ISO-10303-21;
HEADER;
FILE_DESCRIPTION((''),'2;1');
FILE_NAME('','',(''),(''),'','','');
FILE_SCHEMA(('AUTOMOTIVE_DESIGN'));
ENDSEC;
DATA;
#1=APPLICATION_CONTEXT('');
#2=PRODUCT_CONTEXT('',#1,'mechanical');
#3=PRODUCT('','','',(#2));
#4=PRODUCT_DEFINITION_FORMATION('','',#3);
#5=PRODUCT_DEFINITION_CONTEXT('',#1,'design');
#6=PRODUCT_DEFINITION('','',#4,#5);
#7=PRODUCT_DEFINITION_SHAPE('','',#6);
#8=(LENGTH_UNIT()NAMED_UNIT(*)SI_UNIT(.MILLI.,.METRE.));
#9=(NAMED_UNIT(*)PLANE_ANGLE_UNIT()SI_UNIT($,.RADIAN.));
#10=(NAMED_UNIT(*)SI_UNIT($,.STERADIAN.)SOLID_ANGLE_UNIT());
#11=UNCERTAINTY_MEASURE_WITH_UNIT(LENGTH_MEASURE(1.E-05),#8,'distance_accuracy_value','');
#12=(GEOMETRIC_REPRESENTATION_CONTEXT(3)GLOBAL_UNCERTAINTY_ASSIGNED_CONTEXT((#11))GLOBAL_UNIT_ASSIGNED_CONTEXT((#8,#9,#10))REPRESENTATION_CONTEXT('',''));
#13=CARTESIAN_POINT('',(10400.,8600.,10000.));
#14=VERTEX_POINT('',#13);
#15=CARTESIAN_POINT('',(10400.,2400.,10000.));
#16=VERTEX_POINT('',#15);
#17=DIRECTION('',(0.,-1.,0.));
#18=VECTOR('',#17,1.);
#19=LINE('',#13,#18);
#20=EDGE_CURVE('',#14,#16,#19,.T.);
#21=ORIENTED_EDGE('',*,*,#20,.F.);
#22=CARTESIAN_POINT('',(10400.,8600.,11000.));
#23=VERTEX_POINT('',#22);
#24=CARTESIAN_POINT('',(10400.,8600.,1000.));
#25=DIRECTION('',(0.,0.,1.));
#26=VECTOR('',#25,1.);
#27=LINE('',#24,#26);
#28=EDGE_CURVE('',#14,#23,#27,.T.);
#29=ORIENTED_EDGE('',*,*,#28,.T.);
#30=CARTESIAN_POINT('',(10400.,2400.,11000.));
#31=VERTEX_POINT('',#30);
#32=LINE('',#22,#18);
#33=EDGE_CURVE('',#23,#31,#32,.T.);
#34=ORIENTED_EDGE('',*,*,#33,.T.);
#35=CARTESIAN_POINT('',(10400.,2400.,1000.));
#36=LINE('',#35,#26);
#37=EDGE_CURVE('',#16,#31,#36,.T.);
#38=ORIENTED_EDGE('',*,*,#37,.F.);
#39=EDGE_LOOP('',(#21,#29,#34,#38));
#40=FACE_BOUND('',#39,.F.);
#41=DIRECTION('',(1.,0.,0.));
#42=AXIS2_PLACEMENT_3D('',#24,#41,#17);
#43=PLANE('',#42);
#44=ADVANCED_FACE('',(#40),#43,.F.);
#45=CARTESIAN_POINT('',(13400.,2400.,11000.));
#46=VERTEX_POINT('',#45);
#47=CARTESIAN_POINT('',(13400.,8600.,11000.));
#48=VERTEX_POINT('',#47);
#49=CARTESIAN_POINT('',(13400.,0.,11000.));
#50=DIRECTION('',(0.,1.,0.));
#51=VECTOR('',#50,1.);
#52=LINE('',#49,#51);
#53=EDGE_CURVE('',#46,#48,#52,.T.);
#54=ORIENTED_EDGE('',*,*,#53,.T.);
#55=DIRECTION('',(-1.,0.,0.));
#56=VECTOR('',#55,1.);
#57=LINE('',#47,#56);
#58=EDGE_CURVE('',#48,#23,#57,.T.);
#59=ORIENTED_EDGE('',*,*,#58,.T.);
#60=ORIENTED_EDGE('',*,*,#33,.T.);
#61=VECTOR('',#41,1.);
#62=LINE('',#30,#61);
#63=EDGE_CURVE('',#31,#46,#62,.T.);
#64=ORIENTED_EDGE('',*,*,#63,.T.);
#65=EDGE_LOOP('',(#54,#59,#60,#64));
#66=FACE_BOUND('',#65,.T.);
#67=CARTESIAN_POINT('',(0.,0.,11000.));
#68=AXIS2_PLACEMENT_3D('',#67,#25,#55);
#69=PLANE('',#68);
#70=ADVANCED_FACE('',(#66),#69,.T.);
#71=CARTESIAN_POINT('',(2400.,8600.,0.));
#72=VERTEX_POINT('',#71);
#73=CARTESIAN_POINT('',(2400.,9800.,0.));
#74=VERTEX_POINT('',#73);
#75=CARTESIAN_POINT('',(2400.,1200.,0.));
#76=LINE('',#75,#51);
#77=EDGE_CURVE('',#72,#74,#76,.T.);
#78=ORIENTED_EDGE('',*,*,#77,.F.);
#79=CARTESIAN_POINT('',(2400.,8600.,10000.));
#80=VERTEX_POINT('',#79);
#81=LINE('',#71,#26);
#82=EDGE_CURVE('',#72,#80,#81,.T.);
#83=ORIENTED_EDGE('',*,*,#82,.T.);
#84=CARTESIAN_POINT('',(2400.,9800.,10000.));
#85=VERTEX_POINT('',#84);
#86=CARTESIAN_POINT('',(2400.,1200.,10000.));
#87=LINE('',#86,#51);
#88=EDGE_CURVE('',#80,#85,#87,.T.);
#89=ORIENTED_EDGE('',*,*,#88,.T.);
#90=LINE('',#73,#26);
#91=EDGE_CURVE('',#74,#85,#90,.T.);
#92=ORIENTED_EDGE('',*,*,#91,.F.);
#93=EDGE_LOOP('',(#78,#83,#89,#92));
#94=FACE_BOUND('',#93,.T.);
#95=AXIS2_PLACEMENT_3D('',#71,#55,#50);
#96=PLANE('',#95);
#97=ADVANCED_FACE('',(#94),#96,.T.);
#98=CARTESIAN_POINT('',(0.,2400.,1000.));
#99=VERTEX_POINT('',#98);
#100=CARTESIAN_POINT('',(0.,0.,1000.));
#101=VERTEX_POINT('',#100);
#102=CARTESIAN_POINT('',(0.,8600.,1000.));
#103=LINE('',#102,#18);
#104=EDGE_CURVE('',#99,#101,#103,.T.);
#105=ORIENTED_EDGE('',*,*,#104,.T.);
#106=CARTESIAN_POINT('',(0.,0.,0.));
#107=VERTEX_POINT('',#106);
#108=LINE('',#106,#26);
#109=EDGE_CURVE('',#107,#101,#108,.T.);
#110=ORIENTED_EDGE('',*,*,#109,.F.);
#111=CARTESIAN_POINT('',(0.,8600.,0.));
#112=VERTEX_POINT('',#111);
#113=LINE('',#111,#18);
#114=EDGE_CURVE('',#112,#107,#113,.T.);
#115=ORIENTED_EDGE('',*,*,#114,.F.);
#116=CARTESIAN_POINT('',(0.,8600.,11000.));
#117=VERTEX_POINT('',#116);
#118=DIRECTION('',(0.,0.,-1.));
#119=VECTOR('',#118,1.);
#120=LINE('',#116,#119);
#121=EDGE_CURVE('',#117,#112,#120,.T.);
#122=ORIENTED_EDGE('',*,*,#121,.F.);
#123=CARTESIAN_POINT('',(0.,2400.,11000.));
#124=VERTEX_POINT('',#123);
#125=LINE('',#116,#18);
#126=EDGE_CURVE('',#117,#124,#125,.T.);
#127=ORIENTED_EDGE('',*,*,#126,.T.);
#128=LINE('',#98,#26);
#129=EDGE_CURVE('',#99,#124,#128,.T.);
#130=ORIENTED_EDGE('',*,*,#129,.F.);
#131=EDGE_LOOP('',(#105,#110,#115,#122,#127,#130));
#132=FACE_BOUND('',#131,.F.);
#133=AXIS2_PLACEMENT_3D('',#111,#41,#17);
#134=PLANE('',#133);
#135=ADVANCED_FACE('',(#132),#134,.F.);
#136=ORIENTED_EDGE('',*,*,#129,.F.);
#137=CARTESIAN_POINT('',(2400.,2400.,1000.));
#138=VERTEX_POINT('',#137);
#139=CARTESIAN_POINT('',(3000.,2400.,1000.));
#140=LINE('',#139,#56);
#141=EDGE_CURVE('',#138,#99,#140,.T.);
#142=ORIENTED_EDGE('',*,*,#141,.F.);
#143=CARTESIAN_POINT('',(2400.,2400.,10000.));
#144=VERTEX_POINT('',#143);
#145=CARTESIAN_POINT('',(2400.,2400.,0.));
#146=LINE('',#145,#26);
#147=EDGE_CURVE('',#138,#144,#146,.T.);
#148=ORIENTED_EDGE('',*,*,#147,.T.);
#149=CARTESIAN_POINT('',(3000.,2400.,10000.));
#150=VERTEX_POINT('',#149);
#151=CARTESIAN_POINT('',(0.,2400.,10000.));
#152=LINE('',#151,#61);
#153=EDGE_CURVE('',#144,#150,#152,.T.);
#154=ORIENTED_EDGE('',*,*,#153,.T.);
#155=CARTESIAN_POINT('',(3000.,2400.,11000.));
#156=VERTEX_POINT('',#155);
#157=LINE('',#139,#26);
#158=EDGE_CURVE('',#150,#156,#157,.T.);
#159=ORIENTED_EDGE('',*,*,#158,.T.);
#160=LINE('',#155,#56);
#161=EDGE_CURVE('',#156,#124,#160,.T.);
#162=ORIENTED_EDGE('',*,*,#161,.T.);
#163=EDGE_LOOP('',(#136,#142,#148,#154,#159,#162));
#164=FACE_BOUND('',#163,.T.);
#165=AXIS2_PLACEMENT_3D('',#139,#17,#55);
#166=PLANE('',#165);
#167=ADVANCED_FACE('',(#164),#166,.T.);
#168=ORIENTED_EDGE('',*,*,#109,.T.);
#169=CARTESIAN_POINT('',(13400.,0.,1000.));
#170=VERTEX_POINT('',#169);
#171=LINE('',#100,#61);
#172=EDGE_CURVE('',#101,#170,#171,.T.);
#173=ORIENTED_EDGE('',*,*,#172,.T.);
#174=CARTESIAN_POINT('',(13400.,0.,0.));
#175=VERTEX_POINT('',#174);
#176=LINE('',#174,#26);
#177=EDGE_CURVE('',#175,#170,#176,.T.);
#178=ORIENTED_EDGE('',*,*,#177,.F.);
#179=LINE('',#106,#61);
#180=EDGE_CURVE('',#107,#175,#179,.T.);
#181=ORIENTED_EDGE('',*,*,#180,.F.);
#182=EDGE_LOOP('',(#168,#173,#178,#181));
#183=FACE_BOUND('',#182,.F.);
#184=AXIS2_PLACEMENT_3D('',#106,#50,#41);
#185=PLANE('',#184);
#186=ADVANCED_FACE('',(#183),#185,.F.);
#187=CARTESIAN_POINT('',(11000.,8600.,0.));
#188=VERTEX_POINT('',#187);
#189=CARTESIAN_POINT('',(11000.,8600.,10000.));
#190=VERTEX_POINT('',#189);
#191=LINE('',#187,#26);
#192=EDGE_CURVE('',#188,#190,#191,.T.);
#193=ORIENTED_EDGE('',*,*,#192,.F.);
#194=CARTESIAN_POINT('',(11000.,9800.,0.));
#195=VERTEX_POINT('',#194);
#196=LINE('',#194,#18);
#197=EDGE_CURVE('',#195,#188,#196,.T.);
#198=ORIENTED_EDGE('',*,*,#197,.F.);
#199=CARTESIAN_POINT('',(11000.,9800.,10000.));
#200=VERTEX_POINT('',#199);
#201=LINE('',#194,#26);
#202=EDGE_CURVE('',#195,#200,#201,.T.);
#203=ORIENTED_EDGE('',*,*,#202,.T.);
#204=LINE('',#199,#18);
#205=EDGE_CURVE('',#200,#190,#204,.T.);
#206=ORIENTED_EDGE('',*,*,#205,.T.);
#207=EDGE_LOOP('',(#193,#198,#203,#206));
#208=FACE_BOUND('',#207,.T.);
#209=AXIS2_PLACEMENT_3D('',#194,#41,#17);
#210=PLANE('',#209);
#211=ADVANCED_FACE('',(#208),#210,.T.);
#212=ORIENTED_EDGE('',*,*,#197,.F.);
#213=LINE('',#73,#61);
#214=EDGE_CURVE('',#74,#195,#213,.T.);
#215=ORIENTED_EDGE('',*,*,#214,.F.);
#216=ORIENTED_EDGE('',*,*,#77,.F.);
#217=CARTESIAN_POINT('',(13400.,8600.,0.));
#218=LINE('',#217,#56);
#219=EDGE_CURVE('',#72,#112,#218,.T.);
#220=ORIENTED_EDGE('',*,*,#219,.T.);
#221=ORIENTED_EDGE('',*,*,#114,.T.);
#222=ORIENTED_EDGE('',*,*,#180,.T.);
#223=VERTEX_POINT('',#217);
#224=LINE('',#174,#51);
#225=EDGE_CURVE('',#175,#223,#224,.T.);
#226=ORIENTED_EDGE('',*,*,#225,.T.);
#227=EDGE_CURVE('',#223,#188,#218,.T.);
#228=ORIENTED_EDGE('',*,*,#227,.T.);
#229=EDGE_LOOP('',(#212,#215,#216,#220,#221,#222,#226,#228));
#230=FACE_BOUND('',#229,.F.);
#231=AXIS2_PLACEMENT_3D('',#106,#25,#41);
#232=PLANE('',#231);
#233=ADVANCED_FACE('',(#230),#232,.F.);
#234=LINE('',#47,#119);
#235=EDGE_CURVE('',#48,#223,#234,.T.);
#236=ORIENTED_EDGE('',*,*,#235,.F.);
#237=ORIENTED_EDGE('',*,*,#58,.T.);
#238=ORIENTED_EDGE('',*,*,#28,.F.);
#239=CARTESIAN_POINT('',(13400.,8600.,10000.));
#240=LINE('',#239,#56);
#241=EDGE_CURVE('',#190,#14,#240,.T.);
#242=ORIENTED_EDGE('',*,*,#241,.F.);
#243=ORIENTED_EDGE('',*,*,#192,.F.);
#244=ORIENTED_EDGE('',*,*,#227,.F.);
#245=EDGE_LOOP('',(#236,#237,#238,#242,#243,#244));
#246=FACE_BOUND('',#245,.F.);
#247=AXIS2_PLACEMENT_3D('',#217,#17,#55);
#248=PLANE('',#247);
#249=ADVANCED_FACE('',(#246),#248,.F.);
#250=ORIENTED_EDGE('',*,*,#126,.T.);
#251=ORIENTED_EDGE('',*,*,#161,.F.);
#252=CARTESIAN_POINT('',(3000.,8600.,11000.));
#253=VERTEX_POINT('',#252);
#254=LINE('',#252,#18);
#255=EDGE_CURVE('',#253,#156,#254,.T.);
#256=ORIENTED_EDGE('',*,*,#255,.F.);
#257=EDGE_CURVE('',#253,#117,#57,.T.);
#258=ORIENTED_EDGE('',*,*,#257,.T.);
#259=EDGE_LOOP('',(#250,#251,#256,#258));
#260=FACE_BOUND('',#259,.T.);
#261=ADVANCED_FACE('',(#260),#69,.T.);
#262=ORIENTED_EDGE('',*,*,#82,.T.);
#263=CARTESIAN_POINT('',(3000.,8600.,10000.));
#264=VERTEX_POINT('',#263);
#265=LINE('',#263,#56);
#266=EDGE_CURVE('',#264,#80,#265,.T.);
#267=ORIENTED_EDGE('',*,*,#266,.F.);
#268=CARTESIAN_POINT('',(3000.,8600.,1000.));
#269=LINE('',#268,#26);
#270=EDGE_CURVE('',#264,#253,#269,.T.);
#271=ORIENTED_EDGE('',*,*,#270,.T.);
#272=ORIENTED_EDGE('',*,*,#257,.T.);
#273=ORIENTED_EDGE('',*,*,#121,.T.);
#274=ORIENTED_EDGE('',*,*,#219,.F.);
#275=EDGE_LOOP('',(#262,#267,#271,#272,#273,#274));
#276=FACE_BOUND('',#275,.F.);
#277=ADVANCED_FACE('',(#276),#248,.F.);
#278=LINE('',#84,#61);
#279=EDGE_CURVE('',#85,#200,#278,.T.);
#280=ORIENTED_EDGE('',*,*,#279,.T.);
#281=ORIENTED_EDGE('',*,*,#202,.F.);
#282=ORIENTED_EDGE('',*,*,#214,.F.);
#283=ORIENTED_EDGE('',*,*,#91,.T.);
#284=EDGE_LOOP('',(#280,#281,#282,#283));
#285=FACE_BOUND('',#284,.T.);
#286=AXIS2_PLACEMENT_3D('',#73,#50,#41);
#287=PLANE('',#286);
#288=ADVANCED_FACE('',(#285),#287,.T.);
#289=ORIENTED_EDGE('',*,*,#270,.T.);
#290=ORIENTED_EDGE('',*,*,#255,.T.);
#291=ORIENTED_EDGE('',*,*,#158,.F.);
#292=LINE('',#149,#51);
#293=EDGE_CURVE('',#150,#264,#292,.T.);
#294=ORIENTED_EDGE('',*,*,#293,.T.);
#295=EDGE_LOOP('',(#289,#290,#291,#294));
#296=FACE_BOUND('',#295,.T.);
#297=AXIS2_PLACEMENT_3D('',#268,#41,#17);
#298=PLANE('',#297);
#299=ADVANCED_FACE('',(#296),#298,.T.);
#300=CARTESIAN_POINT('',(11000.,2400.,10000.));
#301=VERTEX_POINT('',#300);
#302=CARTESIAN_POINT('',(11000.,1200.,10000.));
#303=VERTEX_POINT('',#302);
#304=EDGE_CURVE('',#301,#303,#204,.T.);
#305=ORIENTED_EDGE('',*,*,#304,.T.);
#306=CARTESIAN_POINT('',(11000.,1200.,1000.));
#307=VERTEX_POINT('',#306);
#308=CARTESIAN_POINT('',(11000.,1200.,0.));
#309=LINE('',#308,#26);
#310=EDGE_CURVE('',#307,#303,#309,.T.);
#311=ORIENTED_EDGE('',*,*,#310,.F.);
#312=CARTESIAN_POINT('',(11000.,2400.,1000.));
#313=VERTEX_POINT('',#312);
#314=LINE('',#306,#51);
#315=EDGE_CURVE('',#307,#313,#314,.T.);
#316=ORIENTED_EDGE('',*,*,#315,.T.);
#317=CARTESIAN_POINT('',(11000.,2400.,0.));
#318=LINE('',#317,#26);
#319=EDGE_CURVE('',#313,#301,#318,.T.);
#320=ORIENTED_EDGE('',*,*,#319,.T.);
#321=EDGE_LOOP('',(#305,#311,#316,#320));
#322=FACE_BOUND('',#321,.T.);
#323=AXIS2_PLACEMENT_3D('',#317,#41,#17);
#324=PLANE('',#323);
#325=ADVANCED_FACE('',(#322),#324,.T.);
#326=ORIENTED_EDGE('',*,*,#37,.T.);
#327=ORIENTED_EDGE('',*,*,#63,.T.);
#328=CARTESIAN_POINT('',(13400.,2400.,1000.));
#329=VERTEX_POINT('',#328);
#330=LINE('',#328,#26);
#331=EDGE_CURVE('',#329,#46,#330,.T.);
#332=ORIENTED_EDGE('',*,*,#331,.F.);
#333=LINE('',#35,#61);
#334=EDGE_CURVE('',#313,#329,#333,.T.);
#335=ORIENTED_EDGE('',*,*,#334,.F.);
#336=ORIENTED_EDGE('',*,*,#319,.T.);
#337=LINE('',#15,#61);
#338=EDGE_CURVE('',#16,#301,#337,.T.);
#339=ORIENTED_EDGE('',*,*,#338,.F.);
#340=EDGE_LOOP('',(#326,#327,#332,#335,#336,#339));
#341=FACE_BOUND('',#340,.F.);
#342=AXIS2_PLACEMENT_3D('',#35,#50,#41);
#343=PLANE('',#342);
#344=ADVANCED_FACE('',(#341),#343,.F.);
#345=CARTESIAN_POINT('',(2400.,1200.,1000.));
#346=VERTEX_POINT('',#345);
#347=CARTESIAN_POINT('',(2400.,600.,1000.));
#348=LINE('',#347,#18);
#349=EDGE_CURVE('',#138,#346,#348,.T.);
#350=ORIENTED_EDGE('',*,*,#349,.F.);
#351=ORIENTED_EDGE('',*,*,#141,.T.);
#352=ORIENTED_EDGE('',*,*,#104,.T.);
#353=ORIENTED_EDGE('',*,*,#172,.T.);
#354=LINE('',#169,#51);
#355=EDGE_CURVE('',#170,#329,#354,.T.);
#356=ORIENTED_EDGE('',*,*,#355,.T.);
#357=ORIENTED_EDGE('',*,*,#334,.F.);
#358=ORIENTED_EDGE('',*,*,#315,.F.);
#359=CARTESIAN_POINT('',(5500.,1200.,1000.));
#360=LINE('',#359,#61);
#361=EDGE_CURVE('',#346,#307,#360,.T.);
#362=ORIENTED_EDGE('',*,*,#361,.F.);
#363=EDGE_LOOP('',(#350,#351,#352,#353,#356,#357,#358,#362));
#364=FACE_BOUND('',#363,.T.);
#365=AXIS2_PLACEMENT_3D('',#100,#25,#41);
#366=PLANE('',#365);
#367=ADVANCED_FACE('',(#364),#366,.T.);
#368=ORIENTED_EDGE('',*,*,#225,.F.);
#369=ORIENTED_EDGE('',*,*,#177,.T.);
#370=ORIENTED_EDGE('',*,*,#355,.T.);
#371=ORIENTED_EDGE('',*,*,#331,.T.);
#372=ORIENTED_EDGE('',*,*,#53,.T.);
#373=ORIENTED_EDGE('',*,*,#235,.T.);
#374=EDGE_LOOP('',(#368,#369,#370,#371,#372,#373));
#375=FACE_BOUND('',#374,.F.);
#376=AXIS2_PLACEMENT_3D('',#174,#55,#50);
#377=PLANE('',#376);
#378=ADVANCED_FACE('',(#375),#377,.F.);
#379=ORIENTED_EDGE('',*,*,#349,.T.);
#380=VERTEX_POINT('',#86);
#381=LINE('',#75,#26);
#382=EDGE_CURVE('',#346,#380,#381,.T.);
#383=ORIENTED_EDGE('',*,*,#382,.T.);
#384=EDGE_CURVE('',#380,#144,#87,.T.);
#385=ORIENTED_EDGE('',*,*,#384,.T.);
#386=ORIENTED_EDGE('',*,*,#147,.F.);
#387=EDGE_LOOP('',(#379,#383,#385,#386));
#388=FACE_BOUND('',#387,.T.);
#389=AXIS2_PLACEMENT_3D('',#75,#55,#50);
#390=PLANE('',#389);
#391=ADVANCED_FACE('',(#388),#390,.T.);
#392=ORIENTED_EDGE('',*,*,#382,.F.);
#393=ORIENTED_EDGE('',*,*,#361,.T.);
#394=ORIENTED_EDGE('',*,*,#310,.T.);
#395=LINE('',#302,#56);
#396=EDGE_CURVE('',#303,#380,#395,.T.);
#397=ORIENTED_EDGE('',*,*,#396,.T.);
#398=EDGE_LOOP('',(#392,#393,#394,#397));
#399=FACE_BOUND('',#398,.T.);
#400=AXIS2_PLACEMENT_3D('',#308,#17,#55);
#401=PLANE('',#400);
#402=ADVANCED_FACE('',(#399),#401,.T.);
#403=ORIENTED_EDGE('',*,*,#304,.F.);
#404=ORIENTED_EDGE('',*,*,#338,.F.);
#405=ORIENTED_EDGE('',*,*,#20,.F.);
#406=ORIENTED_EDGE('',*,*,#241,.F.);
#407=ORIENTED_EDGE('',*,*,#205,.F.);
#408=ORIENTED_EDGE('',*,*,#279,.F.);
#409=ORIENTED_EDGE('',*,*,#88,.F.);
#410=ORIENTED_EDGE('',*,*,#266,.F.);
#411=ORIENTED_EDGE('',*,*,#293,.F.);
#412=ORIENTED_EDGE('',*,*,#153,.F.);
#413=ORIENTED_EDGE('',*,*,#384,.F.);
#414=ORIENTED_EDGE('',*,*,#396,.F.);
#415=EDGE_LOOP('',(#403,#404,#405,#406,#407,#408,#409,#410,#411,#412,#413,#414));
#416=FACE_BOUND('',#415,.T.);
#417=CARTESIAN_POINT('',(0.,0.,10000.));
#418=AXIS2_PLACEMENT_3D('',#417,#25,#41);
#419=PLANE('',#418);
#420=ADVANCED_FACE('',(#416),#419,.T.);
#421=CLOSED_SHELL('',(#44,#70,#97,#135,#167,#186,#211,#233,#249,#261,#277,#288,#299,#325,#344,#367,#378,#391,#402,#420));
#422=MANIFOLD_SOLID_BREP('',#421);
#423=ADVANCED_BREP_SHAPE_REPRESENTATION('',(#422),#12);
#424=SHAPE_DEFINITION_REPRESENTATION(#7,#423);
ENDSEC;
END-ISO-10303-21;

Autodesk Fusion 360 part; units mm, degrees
sketch "Sketch1" plane through (0, 0, 0) normal (0, 0, 1) x (1, 0, 0)
  line L0 (0, 0) -> (13400, 0)
  line L1 (13400, 0) -> (13400, 8600)
  line L2 (13400, 8600) -> (0, 8600)
  line L3 (0, 8600) -> (0, 0)
extrude "Extrude1" add sketch "Sketch1" along normal blind 1000
sketch "Sketch2" plane through (0, 0, 1000) normal (0, 0, 1) x (-1, 0, 0)
  line L0 (0, -8600) -> (0, 0)
  line L1 (0, 0) -> (-13400, 0)
  line L2 (-13400, 0) -> (-13400, -8600)
  line L3 (-13400, -8600) -> (0, -8600)
  line L4 (0, -8600) -> (-3000, -8600)
  line L5 (-3000, -8600) -> (-3000, -2400)
  line L6 (-3000, -2400) -> (0, -2400)
  line L7 (0, -2400) -> (0, -8600)
  line L8 (-13400, -8600) -> (-10400, -8600)
  line L9 (-10400, -8600) -> (-10400, -2400)
  line L10 (-10400, -2400) -> (-13400, -2400)
  line L11 (-13400, -2400) -> (-13400, -8600)
extrude "Extrude2" add sketch "Sketch2" along normal blind 10000 contours L0 L3 L4 L5 L6 L7 | L2 L3 L8 L9 L10 L11
sketch "Sketch3" plane through (0, 0, 0) normal (0, 0, 1) x (1, 0, 0)
  line L0 (2400, 9800) -> (11000, 9800)
  line L1 (11000, 9800) -> (11000, 1200)
  line L2 (11000, 1200) -> (2400, 1200)
  line L3 (2400, 1200) -> (2400, 9800)
  line L4 (0, 2400) -> (3000, 2400)
  line L5 (3000, 2400) -> (3000, 8600)
  line L6 (3000, 8600) -> (0, 8600)
  line L7 (0, 8600) -> (0, 2400)
  line L8 (13400, 2400) -> (13400, 8600)
  line L9 (13400, 8600) -> (10400, 8600)
  line L10 (10400, 8600) -> (10400, 2400)
  line L11 (10400, 2400) -> (13400, 2400)
extrude "Extrude3" add sketch "Sketch3" along normal blind 10000 contours L0 L1 L2 L3 L4 L5 L6 L9 L10 L11
